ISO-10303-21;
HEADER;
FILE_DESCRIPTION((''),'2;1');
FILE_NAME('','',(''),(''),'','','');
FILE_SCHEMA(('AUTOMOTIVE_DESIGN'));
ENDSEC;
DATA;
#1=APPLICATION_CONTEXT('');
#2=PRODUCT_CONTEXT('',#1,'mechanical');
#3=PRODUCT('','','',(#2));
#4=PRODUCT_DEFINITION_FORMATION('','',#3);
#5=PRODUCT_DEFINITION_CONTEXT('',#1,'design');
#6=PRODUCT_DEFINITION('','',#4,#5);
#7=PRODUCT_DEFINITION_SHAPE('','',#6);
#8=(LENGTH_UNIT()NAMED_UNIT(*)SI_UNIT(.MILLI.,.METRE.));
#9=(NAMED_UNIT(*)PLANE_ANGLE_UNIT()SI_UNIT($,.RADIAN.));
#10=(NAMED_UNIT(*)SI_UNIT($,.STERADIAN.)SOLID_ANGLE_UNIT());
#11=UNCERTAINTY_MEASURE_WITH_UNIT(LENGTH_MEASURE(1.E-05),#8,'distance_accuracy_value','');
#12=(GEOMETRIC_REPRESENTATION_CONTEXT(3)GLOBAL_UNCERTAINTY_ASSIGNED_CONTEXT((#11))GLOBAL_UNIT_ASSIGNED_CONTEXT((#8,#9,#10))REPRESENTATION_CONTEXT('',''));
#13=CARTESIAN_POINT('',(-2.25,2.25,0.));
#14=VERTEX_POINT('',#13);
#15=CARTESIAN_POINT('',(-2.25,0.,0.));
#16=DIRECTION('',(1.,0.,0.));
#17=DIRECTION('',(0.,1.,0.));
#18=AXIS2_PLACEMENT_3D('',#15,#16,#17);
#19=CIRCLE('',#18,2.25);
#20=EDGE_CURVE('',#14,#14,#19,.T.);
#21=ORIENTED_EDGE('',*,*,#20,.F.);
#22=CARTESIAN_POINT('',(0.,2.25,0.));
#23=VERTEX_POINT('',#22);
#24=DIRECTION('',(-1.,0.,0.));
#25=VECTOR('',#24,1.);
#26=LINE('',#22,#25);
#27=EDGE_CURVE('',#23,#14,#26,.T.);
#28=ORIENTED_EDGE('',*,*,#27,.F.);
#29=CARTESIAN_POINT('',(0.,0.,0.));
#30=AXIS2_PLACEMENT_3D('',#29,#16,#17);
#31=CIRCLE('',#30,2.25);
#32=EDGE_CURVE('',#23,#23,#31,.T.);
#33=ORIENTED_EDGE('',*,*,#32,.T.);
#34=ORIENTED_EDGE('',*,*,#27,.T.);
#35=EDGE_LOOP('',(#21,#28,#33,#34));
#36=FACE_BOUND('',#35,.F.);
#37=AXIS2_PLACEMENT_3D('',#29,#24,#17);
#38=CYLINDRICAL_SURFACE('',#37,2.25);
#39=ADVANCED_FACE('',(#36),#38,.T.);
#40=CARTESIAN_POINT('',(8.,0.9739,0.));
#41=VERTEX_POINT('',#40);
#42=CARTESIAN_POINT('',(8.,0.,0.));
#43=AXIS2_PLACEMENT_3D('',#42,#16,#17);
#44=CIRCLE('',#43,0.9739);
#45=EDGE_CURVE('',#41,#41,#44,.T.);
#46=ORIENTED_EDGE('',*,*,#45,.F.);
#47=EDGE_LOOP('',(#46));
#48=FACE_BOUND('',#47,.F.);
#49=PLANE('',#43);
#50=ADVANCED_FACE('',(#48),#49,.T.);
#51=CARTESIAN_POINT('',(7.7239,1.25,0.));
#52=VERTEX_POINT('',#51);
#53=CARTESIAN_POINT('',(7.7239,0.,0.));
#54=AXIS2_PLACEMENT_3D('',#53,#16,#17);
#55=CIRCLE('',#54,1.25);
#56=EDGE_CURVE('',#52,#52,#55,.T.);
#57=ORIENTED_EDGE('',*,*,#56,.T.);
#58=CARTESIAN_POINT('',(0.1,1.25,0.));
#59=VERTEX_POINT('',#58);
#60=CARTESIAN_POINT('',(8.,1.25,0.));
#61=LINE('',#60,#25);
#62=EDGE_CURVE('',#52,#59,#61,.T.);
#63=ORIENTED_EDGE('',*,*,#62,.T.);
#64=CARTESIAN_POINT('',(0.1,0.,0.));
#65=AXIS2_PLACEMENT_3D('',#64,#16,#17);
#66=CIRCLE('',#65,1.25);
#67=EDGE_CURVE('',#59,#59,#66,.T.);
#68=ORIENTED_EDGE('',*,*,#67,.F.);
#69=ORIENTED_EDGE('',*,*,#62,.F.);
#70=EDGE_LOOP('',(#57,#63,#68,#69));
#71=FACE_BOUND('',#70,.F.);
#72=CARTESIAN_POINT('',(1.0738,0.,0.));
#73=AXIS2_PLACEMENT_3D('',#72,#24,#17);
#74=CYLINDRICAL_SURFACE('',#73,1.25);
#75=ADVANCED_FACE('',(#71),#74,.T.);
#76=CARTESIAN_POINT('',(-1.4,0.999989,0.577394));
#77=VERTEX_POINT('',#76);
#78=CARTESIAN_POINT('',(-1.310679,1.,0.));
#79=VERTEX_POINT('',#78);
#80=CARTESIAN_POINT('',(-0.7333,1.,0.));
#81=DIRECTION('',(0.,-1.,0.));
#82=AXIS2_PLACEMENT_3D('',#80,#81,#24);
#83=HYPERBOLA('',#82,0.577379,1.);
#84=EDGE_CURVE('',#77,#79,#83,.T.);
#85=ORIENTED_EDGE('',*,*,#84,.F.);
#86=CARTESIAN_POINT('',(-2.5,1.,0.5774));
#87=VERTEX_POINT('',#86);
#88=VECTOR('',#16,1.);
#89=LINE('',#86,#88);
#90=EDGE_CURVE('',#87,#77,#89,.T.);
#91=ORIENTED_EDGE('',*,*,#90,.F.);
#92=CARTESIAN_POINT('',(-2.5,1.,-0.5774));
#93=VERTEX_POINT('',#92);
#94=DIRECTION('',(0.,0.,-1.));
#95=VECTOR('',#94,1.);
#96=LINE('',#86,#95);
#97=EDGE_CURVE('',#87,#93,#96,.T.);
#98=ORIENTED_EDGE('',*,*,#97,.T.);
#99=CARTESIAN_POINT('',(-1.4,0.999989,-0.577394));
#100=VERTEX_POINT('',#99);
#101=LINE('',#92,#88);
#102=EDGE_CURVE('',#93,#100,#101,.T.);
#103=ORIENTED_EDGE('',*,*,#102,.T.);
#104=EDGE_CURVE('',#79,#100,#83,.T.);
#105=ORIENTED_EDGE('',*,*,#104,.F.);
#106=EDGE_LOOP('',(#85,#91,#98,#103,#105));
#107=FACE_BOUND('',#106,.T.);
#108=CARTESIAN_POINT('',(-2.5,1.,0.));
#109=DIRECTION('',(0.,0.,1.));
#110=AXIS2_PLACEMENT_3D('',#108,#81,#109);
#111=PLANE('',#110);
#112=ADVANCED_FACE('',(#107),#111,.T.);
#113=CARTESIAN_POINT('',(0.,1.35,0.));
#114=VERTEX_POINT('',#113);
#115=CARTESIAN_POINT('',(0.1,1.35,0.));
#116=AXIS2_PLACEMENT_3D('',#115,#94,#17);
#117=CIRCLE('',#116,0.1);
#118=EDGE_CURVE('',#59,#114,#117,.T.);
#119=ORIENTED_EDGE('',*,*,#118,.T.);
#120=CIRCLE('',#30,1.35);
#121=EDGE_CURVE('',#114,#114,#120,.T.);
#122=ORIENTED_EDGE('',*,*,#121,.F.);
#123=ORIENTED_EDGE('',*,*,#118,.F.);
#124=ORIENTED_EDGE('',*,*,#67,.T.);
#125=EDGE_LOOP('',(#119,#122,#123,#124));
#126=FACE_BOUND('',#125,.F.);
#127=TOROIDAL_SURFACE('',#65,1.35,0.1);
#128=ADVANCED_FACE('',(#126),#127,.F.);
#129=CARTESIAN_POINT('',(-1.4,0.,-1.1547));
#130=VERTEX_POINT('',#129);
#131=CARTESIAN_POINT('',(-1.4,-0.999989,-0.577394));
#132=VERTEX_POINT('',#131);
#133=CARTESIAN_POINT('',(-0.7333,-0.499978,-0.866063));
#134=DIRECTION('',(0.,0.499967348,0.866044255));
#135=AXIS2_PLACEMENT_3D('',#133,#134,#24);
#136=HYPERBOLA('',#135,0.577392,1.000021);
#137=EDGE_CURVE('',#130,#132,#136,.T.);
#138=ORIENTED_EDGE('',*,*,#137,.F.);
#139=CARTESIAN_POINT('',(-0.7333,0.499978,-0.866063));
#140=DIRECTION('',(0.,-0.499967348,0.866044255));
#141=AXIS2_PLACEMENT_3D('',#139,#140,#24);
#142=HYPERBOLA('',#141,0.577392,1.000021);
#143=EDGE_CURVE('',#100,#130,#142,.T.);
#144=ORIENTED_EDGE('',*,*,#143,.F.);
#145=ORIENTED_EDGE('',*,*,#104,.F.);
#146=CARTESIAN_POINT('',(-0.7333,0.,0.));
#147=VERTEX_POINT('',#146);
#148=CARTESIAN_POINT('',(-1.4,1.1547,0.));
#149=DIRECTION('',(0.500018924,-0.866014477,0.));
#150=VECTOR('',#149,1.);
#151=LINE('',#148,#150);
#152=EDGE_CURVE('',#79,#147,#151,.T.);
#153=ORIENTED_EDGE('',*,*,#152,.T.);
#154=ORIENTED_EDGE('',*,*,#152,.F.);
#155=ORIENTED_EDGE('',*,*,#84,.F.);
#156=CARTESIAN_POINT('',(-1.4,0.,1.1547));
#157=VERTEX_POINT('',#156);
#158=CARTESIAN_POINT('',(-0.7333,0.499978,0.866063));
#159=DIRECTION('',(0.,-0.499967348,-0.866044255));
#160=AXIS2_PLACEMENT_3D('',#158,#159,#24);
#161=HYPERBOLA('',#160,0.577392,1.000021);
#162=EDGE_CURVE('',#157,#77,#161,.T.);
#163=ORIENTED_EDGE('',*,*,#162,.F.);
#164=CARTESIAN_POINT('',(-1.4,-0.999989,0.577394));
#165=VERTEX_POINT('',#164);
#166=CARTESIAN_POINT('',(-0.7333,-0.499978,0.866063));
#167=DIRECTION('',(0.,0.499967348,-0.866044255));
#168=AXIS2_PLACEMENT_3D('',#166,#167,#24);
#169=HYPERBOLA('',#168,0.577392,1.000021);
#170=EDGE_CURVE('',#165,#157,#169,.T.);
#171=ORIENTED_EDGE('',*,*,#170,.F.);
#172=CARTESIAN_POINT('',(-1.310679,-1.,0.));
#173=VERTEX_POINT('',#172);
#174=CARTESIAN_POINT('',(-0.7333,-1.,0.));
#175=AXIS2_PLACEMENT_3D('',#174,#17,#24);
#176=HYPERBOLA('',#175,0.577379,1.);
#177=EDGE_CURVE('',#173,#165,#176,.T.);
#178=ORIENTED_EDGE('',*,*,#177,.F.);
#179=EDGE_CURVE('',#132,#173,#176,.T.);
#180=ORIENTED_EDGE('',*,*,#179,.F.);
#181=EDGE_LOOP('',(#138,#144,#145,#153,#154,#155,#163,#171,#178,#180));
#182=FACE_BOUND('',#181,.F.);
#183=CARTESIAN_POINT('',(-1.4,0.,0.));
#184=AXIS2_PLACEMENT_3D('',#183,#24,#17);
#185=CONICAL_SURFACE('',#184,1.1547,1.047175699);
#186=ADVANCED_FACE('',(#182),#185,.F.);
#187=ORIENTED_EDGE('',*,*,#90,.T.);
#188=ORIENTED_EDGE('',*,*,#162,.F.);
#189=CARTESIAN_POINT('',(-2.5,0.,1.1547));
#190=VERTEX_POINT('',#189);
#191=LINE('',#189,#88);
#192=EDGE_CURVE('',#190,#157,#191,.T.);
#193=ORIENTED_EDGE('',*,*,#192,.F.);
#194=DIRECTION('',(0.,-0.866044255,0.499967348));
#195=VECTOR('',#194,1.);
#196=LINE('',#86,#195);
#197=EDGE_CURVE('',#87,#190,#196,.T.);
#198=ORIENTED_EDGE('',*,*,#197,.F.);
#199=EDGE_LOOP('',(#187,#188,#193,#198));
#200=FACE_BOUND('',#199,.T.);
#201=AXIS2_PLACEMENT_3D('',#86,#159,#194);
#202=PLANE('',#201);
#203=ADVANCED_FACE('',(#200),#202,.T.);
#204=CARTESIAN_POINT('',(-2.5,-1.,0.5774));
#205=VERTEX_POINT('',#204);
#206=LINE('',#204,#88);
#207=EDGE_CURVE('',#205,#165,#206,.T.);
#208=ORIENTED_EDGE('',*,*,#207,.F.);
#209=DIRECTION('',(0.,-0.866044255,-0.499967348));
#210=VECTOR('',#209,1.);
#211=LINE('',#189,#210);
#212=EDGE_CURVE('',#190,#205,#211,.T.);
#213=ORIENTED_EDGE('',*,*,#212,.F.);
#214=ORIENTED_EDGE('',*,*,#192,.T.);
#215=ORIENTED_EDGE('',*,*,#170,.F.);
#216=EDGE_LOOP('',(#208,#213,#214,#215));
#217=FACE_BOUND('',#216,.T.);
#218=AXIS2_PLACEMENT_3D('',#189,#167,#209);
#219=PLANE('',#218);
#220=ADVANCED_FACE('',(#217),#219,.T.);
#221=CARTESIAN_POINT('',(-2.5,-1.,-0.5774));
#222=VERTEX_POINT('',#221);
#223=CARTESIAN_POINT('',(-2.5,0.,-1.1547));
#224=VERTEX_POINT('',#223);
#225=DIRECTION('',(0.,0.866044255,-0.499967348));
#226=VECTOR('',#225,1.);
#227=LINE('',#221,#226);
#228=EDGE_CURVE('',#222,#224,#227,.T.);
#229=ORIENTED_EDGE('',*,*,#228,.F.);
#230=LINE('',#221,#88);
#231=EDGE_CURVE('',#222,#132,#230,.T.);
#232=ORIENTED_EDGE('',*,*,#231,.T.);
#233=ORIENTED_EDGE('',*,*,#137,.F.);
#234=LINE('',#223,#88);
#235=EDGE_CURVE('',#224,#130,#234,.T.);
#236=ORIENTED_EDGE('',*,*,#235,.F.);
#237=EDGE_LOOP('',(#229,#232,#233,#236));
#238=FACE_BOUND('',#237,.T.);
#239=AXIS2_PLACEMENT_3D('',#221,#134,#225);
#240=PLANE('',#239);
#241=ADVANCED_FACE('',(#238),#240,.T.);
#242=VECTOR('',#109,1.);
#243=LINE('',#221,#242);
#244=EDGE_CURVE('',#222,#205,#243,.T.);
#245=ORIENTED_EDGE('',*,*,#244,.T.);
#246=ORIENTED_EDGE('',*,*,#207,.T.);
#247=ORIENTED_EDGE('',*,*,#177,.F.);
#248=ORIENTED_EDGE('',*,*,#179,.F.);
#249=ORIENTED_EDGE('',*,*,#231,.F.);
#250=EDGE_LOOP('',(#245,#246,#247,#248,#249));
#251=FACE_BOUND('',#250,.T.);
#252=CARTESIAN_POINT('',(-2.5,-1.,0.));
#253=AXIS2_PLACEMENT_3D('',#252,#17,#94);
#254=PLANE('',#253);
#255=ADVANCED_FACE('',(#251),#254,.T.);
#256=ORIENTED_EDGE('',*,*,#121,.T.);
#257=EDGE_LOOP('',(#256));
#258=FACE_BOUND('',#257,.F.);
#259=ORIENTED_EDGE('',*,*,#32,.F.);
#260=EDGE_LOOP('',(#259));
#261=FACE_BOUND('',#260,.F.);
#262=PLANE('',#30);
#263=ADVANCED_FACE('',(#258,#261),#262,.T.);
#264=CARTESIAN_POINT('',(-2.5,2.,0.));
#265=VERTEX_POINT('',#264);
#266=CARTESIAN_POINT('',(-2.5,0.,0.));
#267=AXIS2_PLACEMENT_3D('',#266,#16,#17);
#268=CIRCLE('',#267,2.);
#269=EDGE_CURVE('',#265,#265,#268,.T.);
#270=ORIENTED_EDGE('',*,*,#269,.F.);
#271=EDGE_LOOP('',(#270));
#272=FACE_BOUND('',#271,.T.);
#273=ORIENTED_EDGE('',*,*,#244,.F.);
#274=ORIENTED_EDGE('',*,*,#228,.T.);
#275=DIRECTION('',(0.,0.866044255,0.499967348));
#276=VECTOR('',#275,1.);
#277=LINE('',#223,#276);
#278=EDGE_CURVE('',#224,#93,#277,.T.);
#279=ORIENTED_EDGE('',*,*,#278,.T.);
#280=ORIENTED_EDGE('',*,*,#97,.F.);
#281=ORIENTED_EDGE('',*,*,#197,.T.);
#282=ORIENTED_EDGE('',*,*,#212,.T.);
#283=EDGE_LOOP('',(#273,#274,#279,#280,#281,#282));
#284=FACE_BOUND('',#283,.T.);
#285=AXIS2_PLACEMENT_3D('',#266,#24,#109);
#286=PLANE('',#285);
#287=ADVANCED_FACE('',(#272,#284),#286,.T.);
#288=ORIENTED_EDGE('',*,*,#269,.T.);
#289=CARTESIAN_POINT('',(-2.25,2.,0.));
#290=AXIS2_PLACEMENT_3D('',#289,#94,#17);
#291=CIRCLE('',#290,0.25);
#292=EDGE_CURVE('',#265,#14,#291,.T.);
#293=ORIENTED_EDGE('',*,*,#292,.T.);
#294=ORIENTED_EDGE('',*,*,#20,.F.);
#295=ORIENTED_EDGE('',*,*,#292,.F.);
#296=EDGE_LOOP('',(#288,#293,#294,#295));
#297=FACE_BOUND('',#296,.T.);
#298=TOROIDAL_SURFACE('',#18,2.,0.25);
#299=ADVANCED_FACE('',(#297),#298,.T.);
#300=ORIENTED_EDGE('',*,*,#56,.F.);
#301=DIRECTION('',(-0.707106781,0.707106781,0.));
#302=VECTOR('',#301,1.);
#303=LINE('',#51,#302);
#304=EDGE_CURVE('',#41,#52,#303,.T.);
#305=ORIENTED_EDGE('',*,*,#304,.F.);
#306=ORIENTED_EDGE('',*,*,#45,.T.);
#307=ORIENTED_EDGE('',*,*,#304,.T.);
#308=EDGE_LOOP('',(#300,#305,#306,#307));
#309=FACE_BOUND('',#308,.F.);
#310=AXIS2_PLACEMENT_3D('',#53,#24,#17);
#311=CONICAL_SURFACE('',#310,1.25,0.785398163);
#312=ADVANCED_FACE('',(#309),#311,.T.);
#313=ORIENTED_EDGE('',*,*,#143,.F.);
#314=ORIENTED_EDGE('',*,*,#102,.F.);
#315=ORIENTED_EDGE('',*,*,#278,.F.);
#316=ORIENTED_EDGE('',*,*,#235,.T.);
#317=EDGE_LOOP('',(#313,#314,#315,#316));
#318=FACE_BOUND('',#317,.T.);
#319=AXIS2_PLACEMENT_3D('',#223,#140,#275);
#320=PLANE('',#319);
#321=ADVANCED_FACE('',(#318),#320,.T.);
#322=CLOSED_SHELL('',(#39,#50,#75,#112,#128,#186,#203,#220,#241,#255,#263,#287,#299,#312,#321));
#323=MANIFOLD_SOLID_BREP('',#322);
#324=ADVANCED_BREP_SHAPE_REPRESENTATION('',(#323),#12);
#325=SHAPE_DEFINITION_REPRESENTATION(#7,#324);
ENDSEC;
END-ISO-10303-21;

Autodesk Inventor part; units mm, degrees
ref_plane "YZ Plane" through (0, 0, 0) normal (1, 0, 0) x (0, 1, 0)
ref_plane "XZ Plane" through (0, 0, 0) normal (0, 1, 0) x (-1, 0, 0)
sketch "Эскиз1" plane through (0, 0, 0) normal (0, 0, 1) x (1, 0, 0)
  line L0 (-0.7333, 0) -> (8, 0)
  line L1 (8, 0) -> (8, 1.25)
  line L2 (8, 1.25) -> (1.35, 1.25)
  line L3 (1.35, 1.25) -> (1.0738, 1.25)
  line L4 (1.0738, 1.25) -> (0, 1.25)
  line L5 (0, 1.25) -> (0, 2.25)
  line L6 (0, 2.25) -> (-2.5, 2.25)
  line L7 (-2.5, 2.25) -> (-2.5, 1.1547)
  line L8 (-2.5, 1.1547) -> (-1.4, 1.1547)
  line L9 (-1.4, 1.1547) -> (-0.7333, 0)
  line L10 (-4.6, 0) -> (10.1, 0) projected
  line L11 (0, -0.45) -> (0, 2.7) projected
  line L12 (1.35, 1.25) -> (0, 1.25) construction
  dimension "d1" = 6.65
  dimension "d2" = 0.2762
  dimension "d3" = 2.5
  dimension "d4" = 1.1
  dimension "d5" = 60
  dimension "d6" = 2.5
  dimension "d7" = 2.5
  dimension "d8" = 2.3094
  dimension "d9" = 4.5
  dimension "d26" = 8
revolve "Базовый элемент" add sketch "Эскиз1" angle 360 about axis through (-0.7333, 0, 0) along (1, 0, 0)
sketch "Эскиз2" plane through (-2.5, 0, 0) normal (-1, 0, 0) x (0, 0, 1)
  circle A0 centre (0, 0) radius 1.1547 projected
  line L0 (0, -3.15) -> (0, 3.15) projected
  line L1 (-3.15, 0) -> (3.15, 0) projected
  line L2 (1.1547, 0) -> (0.5774, -1)
  line L3 (0.5774, -1) -> (-0.5774, -1)
  line L4 (-0.5774, -1) -> (-1.1547, 0)
  line L5 (-1.1547, 0) -> (-0.5774, 1)
  line L6 (-0.5774, 1) -> (0.5774, 1)
  line L7 (0.5774, 1) -> (1.1547, 0)
extrude "Паз" add sketch "Эскиз2" against normal up to next contours L7 A0 | A0 L2 | L6 L0 A0 | A0 L0 L3 | L0 L6 A0 | A0 L3 L0 | L4 A0 | A0 L5
fillet "Сопряжение1" radius 0.25 1 edges at (-2.5, -2.25, 0)
thread "Резьба" size "M2.5x0.45" class "6g" standard "ISO Metric profile" length 6.65
chamfer "Фаска1" distance 0.2761 distance2 0.2761 1 edges at (8, -1.25, 0) measured on face at (8, 0.4797, 0.7189)
ref_plane "Work Plane1" through (29, 0, 0) normal (0, -1, 0) x (1, 0, 0)
fillet "Fillet2" radius 0.1 1 edges at (0, -1.25, 0)
equation "\"d1\" = GEL"
equation "\"d3\" = KOH"
equation "\"d4\" = INTI"
equation "\"d6\" = GD"
equation "\"d7\" = BDM"
equation "\"d8\" = 1.1547 * SW"
equation "\"d9\" = KOD"
equation "\"d26\" = NLG"
equation "\"d30\" = R"
equation "\"d17\" = RR"
equation "\"d13\" = GEL"
equation "\"d15\" = -0.5 * SPD + 0.5 * GD"
equation "\"d16\" = GUL"
equation "\"GD\" = 2.5"
equation "\"NLG\" = 8"
equation "\"GEL\" = 6.65"
equation "\"KOD\" = 4.5"
equation "\"KOH\" = 2.5"
equation "\"INTI\" = 1.1"
equation "\"GAL\" = 0.61345 * PTC"
equation "\"GUL\" = 0.61345 * PTC"
equation "\"BDM\" = NND"
equation "\"SW\" = 2"
equation "\"RR\" = 0.25"
equation "\"SPD\" = NND - 1.2269 * PTC"
equation "\"R\" = 0.1"
equation "\"TOA\" = 30deg"
equation "\"GD1\" = THREADDIA - 1.2269 * PTC"
equation "\"THREADDIA\" = 2.5"
equation "\"FAWI\" = 45deg"
equation "\"PTC\" = 0.45"
equation "\"NND\" = 2.5"
equation "\"E0\" = 1.155 * SW"
properties part number "ISO 4762  - M2,5 x 8" material "Сталь нержавеющая, 440C"
